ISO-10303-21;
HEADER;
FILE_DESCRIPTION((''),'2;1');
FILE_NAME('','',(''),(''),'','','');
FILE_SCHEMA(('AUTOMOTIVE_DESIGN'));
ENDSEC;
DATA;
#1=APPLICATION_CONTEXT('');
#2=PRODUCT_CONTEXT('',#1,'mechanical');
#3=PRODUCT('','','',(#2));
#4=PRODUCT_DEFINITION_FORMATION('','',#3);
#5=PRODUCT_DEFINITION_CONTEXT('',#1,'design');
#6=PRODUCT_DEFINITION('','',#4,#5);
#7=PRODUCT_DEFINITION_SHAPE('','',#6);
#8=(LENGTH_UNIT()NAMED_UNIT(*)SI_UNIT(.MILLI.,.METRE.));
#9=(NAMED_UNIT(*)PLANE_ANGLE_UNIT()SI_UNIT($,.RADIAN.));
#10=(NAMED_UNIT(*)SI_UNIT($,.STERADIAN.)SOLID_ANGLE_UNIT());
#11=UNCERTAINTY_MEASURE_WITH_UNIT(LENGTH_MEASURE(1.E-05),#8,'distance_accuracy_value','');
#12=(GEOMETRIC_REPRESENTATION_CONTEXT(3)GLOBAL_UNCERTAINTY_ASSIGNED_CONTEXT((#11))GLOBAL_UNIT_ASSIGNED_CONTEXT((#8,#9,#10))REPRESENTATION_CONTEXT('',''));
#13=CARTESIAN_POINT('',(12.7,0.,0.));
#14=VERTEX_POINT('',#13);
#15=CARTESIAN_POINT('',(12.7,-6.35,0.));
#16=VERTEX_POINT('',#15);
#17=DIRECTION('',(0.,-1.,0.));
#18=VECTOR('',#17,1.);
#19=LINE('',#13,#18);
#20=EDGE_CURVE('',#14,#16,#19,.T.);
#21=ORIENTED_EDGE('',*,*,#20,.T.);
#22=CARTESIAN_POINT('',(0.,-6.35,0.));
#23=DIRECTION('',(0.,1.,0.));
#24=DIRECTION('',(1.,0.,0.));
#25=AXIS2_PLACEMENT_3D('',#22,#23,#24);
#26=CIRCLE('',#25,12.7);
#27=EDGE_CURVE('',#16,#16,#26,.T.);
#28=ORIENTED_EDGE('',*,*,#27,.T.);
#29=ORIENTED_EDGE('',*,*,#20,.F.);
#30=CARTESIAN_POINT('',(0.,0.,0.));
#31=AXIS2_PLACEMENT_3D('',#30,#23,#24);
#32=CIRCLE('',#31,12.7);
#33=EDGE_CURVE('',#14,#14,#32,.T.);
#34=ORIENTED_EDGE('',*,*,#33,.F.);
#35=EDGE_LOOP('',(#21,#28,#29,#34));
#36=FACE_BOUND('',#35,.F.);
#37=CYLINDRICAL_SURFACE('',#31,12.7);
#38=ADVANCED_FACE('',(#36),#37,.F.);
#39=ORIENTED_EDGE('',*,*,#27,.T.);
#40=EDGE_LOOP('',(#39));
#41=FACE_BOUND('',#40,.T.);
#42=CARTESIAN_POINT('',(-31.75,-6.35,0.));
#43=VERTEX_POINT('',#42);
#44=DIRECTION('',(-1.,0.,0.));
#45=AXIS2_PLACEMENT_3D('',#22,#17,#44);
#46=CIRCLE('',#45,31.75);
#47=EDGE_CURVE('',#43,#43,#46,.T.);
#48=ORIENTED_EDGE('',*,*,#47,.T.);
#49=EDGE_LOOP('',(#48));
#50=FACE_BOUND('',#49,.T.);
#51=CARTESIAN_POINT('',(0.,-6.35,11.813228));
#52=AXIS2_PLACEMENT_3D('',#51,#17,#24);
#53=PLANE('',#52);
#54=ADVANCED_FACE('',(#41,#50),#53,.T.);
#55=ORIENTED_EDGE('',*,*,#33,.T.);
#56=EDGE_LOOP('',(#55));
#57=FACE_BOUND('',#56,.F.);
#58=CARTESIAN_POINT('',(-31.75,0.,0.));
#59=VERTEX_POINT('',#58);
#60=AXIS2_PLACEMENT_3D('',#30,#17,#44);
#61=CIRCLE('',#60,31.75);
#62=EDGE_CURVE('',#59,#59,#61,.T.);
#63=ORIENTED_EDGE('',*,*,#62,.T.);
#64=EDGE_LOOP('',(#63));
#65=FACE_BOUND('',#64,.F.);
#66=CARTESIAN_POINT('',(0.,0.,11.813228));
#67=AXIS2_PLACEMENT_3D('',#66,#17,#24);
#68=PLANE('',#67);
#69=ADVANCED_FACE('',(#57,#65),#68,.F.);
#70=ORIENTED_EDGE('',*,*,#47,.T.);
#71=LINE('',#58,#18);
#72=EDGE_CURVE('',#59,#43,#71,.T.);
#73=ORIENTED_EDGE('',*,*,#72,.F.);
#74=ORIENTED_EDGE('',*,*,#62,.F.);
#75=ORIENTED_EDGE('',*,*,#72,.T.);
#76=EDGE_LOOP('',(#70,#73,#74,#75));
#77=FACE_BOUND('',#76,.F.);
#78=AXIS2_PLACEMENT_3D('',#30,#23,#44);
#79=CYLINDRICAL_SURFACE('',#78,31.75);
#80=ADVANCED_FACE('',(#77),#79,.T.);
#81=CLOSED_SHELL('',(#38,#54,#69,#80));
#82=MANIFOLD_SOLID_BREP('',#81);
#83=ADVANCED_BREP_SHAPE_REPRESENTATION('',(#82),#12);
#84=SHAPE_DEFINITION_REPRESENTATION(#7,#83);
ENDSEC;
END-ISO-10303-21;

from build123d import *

# Parameters (mm, degrees)
F1_DEPTH = 6.35


with BuildPart() as f1:
    # F0 (on Front) → F1 (new body)
    with BuildSketch(Plane.XZ):
        with BuildLine():
            Line((12.7, 0), (31.75, 0))
            ThreePointArc((31.75, 0), (0, 31.75), (-31.75, 0))
            Line((-31.75, 0), (-12.7, 0))
            ThreePointArc((-12.7, 0), (0, 12.7), (12.7, 0))
        make_face()
        with BuildLine():
            ThreePointArc((-31.75, 0), (0, -31.75), (31.75, 0))
            Line((31.75, 0), (12.7, 0))
            ThreePointArc((12.7, 0), (0, -12.7), (-12.7, 0))
            Line((-12.7, 0), (-31.75, 0))
        make_face()
    extrude(amount=F1_DEPTH)


solid = f1.part
